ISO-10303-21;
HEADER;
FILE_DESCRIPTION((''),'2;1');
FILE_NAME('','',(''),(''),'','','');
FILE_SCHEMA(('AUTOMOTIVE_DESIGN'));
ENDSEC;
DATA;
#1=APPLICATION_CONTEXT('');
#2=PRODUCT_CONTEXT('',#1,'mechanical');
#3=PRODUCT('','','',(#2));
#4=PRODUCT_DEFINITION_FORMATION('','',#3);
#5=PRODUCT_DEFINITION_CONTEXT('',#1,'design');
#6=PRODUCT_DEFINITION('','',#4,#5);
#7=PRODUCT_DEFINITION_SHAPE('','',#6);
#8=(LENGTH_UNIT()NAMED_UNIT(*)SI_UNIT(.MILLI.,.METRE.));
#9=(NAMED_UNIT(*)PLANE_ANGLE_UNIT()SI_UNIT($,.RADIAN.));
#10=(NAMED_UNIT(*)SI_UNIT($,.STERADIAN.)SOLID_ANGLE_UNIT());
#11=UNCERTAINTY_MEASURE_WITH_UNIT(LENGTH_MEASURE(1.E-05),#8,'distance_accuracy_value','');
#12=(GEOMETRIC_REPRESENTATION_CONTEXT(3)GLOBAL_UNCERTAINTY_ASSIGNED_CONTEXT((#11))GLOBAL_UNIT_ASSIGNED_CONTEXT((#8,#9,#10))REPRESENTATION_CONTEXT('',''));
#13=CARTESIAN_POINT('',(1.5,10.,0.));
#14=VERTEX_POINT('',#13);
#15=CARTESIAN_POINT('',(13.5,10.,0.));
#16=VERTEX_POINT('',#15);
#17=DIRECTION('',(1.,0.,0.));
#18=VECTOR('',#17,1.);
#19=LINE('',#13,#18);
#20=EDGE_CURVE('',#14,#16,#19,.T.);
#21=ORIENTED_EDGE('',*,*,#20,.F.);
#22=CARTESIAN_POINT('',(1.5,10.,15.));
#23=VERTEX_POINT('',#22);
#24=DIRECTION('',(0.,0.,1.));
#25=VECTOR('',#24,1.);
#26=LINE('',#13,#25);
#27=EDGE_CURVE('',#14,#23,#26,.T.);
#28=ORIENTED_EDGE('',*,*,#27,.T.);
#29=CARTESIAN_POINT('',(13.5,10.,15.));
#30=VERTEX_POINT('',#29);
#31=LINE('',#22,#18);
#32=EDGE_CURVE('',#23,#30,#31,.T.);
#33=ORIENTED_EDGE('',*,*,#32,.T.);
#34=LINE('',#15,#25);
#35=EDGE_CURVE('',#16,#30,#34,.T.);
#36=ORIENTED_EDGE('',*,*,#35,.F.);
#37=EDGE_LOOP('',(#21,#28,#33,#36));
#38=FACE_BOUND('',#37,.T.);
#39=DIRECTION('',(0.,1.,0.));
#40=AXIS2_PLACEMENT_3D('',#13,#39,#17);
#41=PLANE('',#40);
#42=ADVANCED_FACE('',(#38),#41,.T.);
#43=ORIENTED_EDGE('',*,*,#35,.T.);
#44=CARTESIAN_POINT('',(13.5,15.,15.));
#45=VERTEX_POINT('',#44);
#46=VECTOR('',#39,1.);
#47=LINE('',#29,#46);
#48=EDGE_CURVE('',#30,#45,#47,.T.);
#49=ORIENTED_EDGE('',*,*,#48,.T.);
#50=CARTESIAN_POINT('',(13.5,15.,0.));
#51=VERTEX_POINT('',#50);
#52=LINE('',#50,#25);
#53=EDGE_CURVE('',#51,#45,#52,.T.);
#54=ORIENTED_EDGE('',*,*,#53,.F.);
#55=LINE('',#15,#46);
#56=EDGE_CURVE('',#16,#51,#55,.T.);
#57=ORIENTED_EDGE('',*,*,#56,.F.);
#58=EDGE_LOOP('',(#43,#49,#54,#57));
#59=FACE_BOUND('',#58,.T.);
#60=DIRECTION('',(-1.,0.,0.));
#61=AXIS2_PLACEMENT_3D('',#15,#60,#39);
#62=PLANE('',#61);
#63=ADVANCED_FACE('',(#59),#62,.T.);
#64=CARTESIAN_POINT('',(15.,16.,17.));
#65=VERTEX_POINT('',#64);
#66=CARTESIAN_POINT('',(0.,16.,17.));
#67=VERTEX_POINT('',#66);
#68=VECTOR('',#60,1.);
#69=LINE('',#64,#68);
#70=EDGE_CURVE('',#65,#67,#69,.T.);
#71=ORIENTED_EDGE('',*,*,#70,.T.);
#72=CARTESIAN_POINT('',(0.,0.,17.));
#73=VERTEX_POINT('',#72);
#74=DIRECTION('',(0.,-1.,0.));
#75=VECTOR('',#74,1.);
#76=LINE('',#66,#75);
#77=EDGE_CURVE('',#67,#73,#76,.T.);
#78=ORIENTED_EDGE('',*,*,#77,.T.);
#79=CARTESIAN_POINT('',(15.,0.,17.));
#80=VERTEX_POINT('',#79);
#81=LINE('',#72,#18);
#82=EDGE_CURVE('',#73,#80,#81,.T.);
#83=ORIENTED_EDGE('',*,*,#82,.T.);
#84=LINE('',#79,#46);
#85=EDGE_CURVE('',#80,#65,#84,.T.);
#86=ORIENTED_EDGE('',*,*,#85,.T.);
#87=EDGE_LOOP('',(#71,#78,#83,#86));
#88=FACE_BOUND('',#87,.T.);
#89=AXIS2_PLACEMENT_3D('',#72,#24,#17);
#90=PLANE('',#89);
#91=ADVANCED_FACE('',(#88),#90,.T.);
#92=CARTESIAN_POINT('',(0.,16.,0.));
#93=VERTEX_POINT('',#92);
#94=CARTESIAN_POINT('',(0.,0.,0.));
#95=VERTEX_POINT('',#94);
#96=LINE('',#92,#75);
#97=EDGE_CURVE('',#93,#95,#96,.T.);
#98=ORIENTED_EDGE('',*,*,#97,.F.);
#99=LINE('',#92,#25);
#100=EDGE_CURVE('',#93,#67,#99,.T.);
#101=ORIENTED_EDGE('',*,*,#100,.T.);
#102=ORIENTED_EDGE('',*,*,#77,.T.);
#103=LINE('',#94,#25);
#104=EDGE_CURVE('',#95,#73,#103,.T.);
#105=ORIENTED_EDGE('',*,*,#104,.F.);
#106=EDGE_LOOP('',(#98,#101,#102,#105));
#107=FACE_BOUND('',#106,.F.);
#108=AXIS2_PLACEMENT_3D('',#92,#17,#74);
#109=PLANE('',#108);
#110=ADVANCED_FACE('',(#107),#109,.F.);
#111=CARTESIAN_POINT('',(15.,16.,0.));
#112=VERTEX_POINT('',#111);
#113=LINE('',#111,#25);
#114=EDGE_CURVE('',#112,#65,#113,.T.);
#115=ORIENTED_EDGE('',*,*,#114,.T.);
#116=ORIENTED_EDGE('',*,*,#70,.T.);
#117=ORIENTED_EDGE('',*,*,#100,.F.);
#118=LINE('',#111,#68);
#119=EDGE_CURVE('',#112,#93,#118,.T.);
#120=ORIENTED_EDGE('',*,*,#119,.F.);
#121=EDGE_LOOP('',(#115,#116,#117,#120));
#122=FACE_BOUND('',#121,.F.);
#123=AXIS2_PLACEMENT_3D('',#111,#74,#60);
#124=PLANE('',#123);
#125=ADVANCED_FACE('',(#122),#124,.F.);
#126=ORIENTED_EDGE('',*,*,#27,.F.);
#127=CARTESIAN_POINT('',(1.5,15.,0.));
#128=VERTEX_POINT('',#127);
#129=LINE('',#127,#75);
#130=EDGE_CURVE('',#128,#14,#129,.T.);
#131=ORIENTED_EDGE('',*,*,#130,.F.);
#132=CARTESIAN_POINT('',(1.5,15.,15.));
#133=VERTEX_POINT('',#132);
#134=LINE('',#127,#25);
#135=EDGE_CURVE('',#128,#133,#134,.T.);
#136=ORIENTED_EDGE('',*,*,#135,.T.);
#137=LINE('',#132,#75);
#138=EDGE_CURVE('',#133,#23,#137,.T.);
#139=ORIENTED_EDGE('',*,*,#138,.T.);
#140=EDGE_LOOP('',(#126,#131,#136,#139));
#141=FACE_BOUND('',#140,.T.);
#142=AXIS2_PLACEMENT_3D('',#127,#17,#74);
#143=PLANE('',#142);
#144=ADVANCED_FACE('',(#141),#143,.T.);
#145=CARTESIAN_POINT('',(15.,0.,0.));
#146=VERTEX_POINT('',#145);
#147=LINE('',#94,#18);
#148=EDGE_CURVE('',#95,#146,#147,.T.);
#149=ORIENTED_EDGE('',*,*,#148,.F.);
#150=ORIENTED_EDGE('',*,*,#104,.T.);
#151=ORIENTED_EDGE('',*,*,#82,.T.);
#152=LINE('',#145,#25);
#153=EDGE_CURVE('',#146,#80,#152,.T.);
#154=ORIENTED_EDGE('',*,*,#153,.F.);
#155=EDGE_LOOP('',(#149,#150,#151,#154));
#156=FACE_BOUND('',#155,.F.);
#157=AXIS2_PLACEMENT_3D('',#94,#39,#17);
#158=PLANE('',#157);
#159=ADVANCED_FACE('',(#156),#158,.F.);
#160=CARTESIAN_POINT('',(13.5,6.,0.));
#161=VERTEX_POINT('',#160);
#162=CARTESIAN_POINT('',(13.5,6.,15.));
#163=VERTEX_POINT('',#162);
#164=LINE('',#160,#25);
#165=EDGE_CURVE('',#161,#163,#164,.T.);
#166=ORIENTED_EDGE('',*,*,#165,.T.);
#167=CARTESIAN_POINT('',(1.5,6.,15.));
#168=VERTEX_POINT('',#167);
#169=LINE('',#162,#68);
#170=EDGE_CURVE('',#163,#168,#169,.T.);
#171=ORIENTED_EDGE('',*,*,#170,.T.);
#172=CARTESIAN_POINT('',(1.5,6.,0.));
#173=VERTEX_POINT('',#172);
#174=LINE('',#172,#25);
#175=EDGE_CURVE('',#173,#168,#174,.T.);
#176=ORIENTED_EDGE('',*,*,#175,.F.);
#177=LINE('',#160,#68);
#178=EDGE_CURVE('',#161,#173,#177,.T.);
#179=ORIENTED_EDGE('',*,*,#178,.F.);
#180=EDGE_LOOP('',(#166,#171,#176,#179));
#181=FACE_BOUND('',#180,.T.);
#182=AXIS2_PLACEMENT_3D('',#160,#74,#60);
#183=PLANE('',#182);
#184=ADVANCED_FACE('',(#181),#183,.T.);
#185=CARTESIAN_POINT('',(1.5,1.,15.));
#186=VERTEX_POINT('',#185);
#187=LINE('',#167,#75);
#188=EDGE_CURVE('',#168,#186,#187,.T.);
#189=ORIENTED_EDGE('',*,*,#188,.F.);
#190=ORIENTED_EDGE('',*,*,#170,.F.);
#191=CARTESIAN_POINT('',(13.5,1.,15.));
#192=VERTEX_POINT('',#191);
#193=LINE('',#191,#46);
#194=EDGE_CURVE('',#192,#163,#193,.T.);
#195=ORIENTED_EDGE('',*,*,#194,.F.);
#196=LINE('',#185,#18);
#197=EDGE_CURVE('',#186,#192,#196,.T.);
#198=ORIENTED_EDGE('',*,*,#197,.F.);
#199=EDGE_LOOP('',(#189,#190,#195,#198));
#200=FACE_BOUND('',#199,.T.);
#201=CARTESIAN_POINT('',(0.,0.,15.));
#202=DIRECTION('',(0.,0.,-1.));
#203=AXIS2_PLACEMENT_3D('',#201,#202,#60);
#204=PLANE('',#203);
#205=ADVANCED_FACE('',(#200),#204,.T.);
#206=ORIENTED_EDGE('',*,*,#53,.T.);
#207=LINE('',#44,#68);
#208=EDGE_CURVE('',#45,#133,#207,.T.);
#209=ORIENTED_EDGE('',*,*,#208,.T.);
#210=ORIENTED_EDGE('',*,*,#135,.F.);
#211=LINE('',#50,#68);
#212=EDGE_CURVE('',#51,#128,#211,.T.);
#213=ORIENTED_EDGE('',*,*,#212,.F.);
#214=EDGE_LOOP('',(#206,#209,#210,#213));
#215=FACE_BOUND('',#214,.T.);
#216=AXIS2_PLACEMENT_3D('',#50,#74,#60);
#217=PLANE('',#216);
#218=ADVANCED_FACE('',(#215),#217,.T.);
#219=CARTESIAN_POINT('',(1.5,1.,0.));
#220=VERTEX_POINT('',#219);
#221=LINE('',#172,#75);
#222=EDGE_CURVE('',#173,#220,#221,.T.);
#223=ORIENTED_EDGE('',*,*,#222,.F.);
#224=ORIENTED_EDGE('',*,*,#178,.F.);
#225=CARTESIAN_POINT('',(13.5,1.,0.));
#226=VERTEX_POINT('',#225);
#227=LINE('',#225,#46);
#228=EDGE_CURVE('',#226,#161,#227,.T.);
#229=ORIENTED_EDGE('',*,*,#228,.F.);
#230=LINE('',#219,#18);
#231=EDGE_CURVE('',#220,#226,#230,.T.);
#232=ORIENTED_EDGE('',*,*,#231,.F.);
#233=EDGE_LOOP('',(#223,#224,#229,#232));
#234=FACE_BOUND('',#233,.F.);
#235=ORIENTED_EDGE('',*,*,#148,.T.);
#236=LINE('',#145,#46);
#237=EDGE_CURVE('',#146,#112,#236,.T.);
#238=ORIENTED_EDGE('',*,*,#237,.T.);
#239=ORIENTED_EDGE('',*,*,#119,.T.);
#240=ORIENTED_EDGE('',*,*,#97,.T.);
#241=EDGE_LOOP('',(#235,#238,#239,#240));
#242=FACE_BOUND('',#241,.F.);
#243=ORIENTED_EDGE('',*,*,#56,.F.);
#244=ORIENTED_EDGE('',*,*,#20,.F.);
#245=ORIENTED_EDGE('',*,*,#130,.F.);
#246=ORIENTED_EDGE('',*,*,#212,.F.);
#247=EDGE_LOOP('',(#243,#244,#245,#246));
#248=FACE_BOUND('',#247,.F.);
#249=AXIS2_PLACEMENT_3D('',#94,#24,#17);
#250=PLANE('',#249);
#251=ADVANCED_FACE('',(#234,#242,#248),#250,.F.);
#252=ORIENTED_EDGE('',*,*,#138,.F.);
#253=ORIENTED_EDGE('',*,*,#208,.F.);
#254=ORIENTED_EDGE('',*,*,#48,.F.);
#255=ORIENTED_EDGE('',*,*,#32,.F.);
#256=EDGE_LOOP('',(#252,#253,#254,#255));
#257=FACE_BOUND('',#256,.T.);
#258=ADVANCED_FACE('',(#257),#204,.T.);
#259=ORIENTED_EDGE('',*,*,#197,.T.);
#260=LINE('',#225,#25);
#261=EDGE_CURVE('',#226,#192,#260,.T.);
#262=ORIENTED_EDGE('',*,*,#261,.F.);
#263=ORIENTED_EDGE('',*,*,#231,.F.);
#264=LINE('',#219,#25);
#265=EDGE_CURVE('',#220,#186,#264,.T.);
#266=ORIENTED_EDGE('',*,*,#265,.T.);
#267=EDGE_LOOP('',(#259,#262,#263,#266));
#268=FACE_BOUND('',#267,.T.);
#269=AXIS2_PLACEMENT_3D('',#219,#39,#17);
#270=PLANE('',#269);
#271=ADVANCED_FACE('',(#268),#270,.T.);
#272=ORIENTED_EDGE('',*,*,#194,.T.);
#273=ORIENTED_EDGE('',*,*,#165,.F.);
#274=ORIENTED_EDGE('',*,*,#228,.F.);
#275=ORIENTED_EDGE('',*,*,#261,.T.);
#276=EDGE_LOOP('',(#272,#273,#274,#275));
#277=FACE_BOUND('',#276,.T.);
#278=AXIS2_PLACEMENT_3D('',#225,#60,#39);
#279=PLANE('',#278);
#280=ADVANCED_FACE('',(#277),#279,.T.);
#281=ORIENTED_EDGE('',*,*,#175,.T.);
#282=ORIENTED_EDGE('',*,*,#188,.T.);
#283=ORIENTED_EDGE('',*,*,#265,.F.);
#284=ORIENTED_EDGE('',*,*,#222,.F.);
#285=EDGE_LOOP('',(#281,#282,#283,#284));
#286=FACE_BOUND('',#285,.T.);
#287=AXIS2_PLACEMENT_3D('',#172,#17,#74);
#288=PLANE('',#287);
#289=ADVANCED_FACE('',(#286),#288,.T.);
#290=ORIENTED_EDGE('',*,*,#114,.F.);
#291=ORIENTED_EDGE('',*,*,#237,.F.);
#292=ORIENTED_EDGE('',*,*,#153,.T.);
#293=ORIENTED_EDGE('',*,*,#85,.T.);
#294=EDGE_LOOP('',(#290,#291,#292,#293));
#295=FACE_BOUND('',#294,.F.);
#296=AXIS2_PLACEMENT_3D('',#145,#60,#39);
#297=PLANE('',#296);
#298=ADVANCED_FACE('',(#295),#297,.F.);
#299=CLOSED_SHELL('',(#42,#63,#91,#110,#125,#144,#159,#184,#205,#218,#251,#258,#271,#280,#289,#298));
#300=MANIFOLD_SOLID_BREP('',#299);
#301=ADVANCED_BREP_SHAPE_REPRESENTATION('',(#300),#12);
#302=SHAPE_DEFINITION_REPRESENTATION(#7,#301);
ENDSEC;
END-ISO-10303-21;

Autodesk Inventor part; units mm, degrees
ref_plane "YZ Plane" through (0, 0, 0) normal (1, 0, 0) x (0, 1, 0)
ref_plane "XZ Plane" through (0, 0, 0) normal (0, 1, 0) x (-1, 0, 0)
ref_plane "XY Plane" through (0, 0, 0) normal (0, 0, 1) x (1, 0, 0)
sketch "Sketch1" plane through (0, 0, 0) normal (0, 0, 1) x (1, 0, 0)
  line L0 (0, 0) -> (15, 0)
  line L1 (15, 0) -> (15, 16)
  line L2 (15, 16) -> (0, 16)
  line L3 (0, 16) -> (0, 0)
  dimension "d0" = 15
  dimension "d1" = 16
extrude "Extrusion1" add sketch "Sketch1" along normal blind 17
sketch "Esquisse2" plane through (0, 0, 0) normal (0, 0, -1) x (-1, 0, 0)
  line L0 (0, 0) -> (-15, 0) construction
  line L1 (0, 16) -> (0, 0) construction
  line L2 (-15, 16) -> (0, 16) construction
  line L3 (-15, 0) -> (-15, 16) construction
  line L4 (-13.5, 15) -> (-1.5, 15)
  line L5 (-1.5, 15) -> (-1.5, 10)
  line L6 (-1.5, 10) -> (-13.5, 10)
  line L7 (-13.5, 10) -> (-13.5, 15)
  line L8 (-13.5, 6) -> (-1.5, 6)
  line L9 (-1.5, 6) -> (-1.5, 1)
  line L10 (-1.5, 1) -> (-13.5, 1)
  line L11 (-13.5, 1) -> (-13.5, 6)
  line L12 (-7.5, 0) -> (-7.5, 16) construction
  dimension "d4" = 12
  dimension "d5" = 5
  dimension "d6" = 5
  dimension "d7" = 1
  dimension "d8" = 4
extrude "Extrusion2" cut sketch "Esquisse2" against normal blind 15
properties part number "R001" material "Acier / Stahl"
